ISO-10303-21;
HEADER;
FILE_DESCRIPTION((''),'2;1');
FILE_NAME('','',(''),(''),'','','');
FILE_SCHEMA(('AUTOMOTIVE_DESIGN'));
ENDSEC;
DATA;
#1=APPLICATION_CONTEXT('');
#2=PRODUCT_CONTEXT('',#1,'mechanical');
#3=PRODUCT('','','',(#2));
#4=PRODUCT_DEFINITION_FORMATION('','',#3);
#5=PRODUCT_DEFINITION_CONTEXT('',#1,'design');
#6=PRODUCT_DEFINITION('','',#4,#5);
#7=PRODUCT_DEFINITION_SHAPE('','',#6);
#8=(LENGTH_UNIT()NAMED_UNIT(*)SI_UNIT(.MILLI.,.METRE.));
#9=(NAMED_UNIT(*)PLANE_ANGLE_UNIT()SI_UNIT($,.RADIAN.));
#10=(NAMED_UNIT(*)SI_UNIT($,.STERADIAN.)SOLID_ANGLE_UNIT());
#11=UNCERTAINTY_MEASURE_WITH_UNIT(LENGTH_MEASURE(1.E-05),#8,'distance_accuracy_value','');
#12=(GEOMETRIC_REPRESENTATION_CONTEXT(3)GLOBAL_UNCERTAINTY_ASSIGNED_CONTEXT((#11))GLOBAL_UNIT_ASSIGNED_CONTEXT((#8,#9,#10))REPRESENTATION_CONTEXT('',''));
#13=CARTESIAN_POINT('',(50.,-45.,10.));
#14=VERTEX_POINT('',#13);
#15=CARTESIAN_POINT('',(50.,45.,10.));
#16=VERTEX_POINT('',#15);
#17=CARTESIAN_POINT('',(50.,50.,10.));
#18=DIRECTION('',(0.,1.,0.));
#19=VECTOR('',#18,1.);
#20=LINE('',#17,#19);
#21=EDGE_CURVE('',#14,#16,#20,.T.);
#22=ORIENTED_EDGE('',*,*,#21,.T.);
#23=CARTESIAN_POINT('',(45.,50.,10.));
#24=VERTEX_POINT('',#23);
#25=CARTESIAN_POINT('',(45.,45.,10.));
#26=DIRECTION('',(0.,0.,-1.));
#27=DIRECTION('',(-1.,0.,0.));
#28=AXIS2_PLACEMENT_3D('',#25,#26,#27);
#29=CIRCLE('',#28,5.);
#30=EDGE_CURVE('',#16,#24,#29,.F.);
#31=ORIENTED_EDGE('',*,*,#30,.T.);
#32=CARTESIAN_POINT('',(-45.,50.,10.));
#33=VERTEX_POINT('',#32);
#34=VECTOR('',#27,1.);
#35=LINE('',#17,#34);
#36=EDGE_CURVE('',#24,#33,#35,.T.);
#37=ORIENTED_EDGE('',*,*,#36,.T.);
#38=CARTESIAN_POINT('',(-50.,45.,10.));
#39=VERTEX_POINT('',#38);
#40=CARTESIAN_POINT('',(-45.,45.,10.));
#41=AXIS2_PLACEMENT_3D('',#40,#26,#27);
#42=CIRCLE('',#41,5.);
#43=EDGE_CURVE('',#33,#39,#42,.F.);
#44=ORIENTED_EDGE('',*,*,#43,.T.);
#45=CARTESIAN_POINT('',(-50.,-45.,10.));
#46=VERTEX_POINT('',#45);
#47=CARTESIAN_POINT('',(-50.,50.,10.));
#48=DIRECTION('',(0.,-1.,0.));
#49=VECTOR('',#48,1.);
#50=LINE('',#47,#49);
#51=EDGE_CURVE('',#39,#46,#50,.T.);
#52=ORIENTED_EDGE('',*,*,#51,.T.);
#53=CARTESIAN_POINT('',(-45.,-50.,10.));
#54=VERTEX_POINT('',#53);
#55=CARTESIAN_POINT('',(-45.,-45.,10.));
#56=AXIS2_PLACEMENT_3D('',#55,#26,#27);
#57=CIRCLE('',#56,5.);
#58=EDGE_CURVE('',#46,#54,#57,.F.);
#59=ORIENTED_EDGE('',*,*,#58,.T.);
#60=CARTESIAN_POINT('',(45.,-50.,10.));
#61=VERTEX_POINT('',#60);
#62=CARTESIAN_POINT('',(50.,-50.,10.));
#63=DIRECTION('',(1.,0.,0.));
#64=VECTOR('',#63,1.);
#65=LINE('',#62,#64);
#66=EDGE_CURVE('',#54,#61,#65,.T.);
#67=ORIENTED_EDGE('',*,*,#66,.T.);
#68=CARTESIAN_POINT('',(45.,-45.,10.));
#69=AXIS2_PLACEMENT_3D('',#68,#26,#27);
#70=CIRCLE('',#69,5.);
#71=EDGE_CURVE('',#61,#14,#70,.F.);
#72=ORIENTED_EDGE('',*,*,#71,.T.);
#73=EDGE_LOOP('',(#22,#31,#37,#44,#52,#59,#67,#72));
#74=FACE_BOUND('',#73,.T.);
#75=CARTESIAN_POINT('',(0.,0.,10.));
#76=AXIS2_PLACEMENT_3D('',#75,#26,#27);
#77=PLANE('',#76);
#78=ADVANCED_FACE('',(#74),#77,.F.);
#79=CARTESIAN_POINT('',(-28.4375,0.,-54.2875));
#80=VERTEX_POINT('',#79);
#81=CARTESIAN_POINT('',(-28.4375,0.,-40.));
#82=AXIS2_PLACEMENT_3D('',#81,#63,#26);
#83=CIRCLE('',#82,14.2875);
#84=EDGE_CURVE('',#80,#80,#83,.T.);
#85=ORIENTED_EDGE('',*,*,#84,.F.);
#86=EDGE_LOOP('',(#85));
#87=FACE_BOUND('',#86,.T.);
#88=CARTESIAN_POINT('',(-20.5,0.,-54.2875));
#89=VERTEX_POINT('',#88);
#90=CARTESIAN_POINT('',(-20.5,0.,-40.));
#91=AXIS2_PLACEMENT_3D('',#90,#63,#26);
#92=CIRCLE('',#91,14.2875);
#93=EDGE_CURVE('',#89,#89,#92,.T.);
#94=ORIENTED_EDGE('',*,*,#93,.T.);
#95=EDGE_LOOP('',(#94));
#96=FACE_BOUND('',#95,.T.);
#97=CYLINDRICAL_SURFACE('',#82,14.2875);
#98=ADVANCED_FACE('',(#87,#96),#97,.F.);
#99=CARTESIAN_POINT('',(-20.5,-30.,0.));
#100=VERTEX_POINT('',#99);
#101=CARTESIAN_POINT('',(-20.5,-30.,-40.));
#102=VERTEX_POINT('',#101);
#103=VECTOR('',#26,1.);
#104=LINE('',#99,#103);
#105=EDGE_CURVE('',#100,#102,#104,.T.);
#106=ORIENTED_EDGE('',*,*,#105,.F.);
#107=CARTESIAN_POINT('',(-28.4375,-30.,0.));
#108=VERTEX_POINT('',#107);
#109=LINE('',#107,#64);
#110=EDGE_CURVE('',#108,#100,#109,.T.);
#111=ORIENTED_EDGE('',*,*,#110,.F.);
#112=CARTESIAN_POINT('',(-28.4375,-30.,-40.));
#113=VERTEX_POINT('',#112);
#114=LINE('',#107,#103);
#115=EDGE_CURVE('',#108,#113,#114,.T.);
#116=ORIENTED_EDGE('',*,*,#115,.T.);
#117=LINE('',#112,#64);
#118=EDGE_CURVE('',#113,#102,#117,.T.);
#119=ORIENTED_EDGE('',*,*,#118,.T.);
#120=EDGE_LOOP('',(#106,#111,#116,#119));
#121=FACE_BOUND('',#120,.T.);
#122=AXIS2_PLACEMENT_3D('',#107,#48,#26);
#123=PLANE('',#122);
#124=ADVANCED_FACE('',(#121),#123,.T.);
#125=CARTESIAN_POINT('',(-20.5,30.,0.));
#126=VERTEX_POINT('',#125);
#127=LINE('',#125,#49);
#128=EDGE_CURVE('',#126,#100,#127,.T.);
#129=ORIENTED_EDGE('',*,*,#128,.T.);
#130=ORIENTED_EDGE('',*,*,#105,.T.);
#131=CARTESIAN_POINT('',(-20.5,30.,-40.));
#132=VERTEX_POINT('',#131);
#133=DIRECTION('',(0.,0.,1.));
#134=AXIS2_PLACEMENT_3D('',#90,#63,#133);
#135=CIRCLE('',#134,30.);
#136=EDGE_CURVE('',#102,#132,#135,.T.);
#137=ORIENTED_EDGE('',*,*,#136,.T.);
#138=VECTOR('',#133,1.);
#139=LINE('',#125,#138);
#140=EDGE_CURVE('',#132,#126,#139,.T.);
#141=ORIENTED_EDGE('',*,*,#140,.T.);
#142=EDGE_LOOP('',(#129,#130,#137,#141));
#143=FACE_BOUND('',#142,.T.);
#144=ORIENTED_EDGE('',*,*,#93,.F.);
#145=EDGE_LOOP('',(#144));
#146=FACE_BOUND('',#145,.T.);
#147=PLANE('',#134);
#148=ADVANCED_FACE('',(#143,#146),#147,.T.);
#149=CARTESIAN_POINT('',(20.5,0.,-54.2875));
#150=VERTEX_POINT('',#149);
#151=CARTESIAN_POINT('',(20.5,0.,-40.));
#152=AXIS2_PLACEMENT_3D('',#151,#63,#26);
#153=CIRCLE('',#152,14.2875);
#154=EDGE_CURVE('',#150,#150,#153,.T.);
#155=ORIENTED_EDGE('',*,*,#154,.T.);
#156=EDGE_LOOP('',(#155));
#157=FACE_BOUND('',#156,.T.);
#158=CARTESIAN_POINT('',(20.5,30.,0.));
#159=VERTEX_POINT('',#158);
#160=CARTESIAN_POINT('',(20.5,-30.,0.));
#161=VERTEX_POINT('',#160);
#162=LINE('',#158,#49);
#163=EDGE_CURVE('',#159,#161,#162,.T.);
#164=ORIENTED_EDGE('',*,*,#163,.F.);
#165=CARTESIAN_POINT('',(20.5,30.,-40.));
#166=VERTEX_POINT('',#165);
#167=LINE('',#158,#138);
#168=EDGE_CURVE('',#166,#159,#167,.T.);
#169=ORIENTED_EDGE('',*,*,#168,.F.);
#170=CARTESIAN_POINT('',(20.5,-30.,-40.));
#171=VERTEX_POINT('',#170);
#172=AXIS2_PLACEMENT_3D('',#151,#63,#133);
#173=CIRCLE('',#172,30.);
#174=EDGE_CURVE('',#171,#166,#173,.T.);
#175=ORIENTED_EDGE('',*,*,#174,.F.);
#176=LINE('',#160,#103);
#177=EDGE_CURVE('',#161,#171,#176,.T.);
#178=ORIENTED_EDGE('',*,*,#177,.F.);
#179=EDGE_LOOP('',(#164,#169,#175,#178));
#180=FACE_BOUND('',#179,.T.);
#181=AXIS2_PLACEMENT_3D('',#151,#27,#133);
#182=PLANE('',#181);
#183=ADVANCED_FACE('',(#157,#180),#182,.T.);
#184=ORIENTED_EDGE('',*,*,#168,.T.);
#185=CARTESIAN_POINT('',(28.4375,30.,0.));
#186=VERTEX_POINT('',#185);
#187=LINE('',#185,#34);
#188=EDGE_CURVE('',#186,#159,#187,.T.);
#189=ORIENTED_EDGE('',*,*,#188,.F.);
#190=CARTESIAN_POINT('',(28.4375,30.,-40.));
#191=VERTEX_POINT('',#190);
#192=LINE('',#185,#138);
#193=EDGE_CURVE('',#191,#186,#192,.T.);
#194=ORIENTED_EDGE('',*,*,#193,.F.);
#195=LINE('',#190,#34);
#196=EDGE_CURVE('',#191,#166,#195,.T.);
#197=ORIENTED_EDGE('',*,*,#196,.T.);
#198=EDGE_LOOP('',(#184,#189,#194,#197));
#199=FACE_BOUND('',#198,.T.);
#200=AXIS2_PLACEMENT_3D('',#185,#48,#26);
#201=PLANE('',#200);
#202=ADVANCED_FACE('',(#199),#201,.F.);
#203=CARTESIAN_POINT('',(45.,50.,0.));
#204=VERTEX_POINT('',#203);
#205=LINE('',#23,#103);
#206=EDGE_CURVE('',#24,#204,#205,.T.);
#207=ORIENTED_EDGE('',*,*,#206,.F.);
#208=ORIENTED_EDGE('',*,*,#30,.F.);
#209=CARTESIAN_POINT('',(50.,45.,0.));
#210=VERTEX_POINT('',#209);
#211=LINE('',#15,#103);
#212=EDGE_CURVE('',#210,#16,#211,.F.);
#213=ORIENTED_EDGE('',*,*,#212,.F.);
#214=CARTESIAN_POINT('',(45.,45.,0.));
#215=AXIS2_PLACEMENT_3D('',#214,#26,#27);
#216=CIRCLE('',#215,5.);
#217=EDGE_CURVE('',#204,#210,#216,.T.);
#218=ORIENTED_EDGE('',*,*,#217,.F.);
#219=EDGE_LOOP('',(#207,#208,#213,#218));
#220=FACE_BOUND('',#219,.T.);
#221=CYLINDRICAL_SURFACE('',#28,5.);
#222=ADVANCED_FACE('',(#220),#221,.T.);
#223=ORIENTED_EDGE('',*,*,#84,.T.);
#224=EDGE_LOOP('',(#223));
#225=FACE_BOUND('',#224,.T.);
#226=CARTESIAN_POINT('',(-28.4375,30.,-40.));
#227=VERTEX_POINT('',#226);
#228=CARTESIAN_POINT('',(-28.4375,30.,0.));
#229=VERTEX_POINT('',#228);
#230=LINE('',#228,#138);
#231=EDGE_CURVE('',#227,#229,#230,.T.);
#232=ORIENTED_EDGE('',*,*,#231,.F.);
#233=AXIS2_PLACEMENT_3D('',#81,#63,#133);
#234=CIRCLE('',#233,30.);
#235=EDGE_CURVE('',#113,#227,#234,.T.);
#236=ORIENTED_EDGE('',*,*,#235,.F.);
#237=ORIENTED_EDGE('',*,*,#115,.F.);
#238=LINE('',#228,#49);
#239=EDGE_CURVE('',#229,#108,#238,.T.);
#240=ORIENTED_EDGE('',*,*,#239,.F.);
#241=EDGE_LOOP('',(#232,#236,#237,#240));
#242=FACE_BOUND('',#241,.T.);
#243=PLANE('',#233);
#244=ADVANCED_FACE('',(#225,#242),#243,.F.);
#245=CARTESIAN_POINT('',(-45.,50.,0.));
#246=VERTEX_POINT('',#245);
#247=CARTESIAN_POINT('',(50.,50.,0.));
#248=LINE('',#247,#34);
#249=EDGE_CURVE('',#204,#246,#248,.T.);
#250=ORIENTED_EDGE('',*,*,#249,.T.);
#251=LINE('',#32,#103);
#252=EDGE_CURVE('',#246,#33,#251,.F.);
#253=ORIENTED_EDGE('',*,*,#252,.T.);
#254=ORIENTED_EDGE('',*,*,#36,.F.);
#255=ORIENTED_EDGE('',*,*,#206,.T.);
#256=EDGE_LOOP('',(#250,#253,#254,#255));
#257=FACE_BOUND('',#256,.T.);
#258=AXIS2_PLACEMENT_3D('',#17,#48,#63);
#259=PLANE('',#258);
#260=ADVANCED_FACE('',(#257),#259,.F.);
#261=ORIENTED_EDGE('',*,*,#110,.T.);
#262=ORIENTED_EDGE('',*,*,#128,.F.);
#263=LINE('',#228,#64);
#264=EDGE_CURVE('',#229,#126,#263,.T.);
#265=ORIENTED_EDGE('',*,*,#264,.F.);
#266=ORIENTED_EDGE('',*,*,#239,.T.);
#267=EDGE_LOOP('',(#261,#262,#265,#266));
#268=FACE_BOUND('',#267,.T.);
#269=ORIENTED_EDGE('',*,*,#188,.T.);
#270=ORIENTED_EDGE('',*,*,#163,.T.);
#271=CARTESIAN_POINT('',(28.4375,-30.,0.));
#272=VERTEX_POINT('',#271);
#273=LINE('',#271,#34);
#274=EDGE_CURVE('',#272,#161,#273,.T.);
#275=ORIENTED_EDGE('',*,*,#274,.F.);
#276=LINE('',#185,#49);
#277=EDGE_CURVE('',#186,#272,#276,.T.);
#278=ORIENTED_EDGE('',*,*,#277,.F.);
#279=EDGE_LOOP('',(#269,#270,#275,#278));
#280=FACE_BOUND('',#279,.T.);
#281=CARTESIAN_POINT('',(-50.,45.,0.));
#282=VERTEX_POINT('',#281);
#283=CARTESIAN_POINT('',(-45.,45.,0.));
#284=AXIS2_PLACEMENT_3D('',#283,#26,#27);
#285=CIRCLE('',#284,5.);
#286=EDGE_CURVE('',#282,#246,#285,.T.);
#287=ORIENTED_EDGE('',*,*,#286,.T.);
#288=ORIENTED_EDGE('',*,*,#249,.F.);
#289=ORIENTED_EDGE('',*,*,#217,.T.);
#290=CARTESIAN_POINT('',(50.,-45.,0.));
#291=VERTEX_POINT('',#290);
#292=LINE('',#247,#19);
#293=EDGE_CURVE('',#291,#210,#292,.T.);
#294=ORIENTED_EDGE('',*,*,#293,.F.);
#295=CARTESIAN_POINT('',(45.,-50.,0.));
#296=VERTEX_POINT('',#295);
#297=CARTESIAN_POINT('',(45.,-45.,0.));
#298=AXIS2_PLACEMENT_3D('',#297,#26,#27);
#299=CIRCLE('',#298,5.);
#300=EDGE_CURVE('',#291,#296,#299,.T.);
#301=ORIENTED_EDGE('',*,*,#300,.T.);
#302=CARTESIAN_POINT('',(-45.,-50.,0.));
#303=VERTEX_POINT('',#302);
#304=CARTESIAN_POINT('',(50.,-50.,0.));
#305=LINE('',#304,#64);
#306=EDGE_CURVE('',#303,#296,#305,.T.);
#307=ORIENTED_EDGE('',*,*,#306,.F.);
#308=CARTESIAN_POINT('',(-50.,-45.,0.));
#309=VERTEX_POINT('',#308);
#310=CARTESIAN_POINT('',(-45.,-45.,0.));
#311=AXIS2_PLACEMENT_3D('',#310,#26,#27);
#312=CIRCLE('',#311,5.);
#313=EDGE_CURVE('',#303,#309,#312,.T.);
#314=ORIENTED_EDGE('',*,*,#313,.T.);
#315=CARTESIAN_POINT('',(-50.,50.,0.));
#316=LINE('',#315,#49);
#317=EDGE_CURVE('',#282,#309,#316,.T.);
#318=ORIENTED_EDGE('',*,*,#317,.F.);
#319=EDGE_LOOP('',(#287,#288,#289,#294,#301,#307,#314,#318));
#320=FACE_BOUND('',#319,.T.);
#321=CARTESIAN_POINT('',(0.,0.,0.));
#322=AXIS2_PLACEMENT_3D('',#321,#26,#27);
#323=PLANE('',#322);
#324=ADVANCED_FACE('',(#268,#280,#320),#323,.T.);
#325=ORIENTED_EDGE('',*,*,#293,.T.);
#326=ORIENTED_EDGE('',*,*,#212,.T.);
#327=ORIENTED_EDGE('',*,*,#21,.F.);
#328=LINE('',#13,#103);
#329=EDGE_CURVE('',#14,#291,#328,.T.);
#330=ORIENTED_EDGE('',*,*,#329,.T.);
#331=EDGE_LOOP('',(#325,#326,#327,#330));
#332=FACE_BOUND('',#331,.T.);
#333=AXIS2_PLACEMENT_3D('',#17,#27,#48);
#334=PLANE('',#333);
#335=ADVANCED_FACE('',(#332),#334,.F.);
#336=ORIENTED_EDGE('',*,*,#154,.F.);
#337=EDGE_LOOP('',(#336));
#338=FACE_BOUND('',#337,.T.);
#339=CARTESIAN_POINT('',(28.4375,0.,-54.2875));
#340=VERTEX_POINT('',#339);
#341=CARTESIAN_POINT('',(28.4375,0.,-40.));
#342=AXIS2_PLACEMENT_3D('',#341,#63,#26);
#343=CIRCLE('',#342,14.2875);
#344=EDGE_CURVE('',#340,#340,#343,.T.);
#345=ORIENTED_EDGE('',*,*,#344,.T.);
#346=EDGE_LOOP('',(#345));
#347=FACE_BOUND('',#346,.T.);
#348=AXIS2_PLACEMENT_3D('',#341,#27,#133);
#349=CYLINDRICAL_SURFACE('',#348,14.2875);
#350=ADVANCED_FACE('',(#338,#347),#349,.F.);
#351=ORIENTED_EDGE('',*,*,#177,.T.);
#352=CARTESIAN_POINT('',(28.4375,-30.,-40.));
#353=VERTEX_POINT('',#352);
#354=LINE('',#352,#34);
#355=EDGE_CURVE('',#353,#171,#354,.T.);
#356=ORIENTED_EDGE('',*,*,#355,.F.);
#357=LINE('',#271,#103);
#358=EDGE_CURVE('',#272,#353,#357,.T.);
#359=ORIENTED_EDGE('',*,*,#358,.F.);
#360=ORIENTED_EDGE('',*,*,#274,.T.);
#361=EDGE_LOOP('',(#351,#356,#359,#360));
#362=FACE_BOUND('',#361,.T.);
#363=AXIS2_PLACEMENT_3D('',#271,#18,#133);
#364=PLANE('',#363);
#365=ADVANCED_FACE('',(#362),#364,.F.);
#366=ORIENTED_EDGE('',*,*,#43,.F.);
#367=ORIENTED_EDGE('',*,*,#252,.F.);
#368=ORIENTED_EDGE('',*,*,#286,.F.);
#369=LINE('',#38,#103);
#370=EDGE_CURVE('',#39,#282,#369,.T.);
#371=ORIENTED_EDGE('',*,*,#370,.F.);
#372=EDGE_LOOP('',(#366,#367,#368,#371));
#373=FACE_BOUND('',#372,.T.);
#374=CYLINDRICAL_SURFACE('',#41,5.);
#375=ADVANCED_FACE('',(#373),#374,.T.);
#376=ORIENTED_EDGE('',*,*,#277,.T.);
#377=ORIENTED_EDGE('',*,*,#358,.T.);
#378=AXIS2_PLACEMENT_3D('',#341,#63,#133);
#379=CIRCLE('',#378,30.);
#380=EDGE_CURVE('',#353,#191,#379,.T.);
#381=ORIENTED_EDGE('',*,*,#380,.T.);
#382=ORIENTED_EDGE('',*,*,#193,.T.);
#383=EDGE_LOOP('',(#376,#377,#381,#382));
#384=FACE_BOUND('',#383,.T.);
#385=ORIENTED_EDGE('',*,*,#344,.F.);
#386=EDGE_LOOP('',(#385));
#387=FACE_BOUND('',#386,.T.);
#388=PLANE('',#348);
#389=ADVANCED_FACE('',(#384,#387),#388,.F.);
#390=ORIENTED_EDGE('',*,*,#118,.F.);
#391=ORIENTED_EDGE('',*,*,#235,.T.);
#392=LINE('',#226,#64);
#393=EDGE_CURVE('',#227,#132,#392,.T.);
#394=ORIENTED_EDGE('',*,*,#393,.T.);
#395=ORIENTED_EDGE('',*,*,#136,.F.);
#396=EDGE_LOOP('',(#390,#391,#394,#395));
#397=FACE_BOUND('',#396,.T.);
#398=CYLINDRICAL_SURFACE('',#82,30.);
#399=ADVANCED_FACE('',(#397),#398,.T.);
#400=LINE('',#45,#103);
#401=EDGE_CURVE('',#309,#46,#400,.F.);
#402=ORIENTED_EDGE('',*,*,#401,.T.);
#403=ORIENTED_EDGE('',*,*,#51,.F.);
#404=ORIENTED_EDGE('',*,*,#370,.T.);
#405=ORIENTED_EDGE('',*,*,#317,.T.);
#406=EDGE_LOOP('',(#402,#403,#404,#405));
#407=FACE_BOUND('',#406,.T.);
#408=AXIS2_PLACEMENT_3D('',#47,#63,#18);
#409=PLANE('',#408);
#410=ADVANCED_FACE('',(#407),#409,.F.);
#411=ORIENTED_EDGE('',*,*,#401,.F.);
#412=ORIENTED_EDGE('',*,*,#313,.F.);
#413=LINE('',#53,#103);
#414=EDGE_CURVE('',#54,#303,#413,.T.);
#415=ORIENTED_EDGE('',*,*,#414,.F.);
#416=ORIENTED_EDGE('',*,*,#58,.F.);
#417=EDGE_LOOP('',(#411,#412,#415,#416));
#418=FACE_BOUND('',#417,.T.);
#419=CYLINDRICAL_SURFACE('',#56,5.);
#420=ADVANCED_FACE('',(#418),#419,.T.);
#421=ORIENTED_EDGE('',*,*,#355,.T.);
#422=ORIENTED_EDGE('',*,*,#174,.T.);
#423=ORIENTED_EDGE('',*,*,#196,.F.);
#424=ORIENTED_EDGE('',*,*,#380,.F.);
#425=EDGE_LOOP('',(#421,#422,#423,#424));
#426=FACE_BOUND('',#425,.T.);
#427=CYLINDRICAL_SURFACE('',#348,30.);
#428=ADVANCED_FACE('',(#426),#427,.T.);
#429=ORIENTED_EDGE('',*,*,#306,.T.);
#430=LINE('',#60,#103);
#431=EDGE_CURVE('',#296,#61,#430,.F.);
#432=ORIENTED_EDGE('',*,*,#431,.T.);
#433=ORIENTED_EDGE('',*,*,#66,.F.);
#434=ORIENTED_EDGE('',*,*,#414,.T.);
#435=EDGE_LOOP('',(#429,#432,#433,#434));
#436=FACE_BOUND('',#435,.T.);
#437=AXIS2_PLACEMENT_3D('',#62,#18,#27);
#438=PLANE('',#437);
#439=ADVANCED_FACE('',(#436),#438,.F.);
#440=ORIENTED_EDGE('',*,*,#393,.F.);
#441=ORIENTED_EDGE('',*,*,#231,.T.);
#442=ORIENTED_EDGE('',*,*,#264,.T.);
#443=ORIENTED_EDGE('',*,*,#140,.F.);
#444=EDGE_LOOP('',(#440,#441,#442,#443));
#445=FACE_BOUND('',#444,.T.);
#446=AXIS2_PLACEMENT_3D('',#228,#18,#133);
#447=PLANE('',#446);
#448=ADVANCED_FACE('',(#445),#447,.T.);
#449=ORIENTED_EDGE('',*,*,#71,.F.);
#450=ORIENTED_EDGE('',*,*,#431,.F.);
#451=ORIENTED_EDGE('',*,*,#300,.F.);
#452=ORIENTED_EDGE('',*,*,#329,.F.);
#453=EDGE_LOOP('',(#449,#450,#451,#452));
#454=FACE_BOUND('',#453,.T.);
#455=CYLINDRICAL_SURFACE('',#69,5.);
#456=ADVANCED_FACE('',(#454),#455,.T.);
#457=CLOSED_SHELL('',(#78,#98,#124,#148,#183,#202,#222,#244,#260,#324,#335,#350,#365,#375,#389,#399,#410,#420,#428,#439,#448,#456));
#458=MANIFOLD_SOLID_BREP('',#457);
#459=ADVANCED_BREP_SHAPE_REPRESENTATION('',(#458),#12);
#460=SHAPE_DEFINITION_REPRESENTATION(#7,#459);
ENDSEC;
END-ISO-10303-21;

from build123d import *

# Parameters (mm, degrees)
SKETCH2_W           = 100
SKETCH2_H           = 100
BOSS_EXTRUDE1_DEPTH = 10
SKETCH3_R           = 14.2875
BOSS_EXTRUDE2_DEPTH = 7.9375
FILLET1_R           = 5


with BuildPart() as part:
    # Sketch2 → Boss-Extrude1 (new body)
    with BuildSketch(Plane.XY):
        Rectangle(SKETCH2_W, SKETCH2_H)
    extrude(amount=BOSS_EXTRUDE1_DEPTH)

    # Sketch3 → Boss-Extrude2 (add)
    with BuildSketch(Plane(origin=(20.5, 0, 0), x_dir=(0, 0, -1), z_dir=(1, 0, 0))):
        with BuildLine():
            Line((0, 30), (40, 30))
            ThreePointArc((40, 30), (70, 0), (40, -30))
            Line((40, -30), (0, -30))
            Line((0, -30), (0, 30))
        make_face()
        with Locations((40, 0)):
            Circle(SKETCH3_R, mode=Mode.SUBTRACT)
    boss_extrude2 = extrude(amount=BOSS_EXTRUDE2_DEPTH)

    # Mirror1: Boss-Extrude2 across plane
    add(boss_extrude2.mirror(Plane(origin=(0, 0, 0), x_dir=(0, 0, 1), z_dir=(1, 0, 0))))

    # Fillet1
    fillet1_edges = [part.edges().sort_by_distance(p)[0] for p in [
        (-50, 50, 5),
        (50, 50, 5),
        (50, -50, 5),
        (-50, -50, 5),
    ]]
    fillet(fillet1_edges, radius=FILLET1_R)


solid = part.part
